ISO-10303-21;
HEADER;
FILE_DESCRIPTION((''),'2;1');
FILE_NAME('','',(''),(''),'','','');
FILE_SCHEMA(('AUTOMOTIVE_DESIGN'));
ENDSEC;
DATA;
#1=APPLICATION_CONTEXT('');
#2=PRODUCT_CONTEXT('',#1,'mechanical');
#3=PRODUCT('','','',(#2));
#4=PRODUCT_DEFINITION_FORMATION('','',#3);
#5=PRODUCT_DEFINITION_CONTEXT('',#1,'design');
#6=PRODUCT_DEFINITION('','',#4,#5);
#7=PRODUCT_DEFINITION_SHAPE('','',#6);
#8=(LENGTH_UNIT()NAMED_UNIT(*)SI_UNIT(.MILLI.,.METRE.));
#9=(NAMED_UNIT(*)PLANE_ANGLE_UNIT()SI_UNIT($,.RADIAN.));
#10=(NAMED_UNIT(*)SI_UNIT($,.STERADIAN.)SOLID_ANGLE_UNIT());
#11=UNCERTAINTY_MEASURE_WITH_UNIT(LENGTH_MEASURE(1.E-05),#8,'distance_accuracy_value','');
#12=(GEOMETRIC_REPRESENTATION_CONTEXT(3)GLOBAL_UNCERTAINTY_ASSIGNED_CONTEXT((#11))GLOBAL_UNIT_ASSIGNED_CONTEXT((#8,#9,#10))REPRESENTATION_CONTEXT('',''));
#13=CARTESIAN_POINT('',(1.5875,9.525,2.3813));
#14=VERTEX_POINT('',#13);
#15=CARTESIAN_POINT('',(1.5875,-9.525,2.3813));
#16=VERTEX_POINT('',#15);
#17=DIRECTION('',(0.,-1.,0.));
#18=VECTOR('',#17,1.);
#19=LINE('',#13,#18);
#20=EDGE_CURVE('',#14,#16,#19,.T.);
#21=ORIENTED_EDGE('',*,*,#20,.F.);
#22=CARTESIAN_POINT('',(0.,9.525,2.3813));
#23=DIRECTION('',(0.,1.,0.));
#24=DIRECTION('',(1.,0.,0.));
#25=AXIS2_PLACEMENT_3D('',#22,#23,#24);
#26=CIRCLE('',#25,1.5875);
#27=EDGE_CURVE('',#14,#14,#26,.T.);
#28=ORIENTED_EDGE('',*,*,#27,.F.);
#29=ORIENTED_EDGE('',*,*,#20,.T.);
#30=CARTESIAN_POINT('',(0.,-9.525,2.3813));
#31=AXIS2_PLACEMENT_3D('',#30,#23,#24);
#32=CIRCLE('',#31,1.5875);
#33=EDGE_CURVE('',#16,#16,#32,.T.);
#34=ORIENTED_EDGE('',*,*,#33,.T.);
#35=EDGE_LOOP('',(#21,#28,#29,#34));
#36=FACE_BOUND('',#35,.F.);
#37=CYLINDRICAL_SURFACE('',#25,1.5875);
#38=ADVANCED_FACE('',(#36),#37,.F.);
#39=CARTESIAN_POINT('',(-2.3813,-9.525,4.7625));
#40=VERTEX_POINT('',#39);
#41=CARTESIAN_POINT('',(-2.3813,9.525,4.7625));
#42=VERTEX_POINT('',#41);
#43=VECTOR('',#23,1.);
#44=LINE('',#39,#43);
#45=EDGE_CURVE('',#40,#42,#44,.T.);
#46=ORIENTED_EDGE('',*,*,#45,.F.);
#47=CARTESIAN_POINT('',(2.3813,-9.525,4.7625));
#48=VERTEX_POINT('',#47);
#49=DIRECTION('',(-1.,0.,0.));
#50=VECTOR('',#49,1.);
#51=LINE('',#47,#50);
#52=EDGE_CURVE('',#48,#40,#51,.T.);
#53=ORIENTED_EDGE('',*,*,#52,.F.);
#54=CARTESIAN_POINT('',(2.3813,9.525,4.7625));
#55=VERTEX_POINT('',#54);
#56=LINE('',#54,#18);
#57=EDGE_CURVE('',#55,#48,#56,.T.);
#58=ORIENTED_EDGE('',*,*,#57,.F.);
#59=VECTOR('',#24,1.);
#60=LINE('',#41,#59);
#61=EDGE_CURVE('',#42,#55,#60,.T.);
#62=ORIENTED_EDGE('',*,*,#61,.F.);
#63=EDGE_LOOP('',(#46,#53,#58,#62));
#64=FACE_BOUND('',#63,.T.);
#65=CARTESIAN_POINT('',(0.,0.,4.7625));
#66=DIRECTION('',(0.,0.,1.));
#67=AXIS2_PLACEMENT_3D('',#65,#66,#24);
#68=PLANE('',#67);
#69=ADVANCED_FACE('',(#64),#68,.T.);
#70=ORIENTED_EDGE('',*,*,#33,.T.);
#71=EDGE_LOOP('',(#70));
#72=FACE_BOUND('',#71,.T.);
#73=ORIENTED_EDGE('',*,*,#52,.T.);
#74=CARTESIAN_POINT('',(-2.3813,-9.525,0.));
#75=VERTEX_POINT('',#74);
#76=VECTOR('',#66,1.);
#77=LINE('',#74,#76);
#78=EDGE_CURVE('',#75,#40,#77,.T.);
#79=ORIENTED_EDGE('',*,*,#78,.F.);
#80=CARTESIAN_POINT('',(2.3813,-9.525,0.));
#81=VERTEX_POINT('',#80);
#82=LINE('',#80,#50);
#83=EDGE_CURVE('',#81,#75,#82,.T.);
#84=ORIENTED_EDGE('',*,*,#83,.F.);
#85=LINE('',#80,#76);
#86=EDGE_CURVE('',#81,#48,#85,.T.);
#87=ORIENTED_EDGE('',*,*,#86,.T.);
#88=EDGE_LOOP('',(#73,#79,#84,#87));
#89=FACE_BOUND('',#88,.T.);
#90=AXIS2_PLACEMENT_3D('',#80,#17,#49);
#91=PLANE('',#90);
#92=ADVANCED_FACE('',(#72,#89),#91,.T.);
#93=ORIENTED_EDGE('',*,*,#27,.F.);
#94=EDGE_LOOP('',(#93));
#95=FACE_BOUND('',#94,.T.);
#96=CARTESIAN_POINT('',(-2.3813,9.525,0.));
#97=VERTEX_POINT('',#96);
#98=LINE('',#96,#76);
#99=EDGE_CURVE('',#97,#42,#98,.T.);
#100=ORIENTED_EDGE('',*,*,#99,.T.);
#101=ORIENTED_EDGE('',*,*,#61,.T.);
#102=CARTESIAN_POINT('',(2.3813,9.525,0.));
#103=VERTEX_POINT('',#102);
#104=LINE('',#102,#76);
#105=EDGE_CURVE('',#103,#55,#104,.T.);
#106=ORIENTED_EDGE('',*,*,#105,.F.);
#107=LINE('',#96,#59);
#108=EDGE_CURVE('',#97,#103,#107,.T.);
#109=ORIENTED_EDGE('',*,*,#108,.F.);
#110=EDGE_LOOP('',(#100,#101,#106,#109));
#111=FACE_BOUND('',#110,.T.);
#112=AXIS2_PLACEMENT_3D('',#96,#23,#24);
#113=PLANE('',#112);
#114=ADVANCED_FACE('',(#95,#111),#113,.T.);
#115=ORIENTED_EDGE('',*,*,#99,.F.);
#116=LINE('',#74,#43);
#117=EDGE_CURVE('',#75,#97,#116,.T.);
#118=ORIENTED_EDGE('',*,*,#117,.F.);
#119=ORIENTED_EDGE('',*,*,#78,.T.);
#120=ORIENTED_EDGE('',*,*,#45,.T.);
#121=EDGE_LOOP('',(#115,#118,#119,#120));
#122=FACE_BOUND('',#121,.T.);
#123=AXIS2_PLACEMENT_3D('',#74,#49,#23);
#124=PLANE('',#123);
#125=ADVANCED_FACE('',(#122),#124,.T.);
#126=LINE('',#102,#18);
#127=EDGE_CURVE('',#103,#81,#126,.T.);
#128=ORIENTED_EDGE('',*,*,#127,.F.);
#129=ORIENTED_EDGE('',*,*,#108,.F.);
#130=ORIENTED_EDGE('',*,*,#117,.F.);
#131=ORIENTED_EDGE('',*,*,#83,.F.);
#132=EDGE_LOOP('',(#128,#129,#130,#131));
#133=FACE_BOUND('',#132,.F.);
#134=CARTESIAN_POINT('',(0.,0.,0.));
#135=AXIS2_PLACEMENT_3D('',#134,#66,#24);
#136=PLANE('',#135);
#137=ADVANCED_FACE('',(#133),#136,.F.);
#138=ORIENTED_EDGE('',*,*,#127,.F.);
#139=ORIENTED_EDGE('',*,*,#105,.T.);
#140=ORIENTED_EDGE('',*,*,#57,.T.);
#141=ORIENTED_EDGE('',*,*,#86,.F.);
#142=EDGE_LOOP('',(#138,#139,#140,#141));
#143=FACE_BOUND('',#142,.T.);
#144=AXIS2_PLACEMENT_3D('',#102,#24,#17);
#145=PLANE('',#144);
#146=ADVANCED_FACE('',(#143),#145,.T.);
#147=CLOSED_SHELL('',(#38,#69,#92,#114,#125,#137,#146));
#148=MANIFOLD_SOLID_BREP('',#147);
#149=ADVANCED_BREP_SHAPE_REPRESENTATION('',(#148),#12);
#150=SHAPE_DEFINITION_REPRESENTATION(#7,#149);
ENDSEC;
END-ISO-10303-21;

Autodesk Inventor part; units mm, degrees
ref_plane "YZ Plane" through (0, 0, 0) normal (1, 0, 0) x (0, 1, 0)
ref_plane "XZ Plane" through (0, 0, 0) normal (0, 1, 0) x (-1, 0, 0)
ref_plane "XY Plane" through (0, 0, 0) normal (0, 0, 1) x (1, 0, 0)
sketch "Sketch1" plane through (0, 0, 0) normal (0, 0, 1) x (1, 0, 0)
  line L0 (-2.3813, 9.525) -> (2.3813, 9.525)
  line L1 (2.3813, 9.525) -> (2.3813, -9.525)
  line L2 (2.3813, -9.525) -> (-2.3813, -9.525)
  line L3 (-2.3813, -9.525) -> (-2.3813, 9.525)
  point P0 (0, 0)
  point P1 (2.3813, 0)
  point P2 (0, 9.525)
  dimension "d0" = 4.7625
  dimension "d1" = 19.05
extrude "Extrusion1" add sketch "Sketch1" along normal blind 4.7625
sketch "Sketch2" plane through (-2.3813, 9.525, 0) normal (0, 1, 0) x (1, 0, 0)
  circle A0 centre (2.3813, -2.3813) radius 1.5875
  line L0 (0, 0) -> (0, -4.7625) projected
  line L1 (4.7625, -4.7625) -> (0, -4.7625) projected
  line L2 (4.7625, 0) -> (0, 0) projected
  line L3 (4.7625, 0) -> (4.7625, -4.7625) projected
  point P0 (2.3813, 0)
  dimension "d4" = 3.175
  dimension "d9" = 2.3813
  dimension "d10" = 2.3813
extrude "Extrusion2" cut sketch "Sketch2" against normal through all contours A0
properties part number "ArduinoStilts"
